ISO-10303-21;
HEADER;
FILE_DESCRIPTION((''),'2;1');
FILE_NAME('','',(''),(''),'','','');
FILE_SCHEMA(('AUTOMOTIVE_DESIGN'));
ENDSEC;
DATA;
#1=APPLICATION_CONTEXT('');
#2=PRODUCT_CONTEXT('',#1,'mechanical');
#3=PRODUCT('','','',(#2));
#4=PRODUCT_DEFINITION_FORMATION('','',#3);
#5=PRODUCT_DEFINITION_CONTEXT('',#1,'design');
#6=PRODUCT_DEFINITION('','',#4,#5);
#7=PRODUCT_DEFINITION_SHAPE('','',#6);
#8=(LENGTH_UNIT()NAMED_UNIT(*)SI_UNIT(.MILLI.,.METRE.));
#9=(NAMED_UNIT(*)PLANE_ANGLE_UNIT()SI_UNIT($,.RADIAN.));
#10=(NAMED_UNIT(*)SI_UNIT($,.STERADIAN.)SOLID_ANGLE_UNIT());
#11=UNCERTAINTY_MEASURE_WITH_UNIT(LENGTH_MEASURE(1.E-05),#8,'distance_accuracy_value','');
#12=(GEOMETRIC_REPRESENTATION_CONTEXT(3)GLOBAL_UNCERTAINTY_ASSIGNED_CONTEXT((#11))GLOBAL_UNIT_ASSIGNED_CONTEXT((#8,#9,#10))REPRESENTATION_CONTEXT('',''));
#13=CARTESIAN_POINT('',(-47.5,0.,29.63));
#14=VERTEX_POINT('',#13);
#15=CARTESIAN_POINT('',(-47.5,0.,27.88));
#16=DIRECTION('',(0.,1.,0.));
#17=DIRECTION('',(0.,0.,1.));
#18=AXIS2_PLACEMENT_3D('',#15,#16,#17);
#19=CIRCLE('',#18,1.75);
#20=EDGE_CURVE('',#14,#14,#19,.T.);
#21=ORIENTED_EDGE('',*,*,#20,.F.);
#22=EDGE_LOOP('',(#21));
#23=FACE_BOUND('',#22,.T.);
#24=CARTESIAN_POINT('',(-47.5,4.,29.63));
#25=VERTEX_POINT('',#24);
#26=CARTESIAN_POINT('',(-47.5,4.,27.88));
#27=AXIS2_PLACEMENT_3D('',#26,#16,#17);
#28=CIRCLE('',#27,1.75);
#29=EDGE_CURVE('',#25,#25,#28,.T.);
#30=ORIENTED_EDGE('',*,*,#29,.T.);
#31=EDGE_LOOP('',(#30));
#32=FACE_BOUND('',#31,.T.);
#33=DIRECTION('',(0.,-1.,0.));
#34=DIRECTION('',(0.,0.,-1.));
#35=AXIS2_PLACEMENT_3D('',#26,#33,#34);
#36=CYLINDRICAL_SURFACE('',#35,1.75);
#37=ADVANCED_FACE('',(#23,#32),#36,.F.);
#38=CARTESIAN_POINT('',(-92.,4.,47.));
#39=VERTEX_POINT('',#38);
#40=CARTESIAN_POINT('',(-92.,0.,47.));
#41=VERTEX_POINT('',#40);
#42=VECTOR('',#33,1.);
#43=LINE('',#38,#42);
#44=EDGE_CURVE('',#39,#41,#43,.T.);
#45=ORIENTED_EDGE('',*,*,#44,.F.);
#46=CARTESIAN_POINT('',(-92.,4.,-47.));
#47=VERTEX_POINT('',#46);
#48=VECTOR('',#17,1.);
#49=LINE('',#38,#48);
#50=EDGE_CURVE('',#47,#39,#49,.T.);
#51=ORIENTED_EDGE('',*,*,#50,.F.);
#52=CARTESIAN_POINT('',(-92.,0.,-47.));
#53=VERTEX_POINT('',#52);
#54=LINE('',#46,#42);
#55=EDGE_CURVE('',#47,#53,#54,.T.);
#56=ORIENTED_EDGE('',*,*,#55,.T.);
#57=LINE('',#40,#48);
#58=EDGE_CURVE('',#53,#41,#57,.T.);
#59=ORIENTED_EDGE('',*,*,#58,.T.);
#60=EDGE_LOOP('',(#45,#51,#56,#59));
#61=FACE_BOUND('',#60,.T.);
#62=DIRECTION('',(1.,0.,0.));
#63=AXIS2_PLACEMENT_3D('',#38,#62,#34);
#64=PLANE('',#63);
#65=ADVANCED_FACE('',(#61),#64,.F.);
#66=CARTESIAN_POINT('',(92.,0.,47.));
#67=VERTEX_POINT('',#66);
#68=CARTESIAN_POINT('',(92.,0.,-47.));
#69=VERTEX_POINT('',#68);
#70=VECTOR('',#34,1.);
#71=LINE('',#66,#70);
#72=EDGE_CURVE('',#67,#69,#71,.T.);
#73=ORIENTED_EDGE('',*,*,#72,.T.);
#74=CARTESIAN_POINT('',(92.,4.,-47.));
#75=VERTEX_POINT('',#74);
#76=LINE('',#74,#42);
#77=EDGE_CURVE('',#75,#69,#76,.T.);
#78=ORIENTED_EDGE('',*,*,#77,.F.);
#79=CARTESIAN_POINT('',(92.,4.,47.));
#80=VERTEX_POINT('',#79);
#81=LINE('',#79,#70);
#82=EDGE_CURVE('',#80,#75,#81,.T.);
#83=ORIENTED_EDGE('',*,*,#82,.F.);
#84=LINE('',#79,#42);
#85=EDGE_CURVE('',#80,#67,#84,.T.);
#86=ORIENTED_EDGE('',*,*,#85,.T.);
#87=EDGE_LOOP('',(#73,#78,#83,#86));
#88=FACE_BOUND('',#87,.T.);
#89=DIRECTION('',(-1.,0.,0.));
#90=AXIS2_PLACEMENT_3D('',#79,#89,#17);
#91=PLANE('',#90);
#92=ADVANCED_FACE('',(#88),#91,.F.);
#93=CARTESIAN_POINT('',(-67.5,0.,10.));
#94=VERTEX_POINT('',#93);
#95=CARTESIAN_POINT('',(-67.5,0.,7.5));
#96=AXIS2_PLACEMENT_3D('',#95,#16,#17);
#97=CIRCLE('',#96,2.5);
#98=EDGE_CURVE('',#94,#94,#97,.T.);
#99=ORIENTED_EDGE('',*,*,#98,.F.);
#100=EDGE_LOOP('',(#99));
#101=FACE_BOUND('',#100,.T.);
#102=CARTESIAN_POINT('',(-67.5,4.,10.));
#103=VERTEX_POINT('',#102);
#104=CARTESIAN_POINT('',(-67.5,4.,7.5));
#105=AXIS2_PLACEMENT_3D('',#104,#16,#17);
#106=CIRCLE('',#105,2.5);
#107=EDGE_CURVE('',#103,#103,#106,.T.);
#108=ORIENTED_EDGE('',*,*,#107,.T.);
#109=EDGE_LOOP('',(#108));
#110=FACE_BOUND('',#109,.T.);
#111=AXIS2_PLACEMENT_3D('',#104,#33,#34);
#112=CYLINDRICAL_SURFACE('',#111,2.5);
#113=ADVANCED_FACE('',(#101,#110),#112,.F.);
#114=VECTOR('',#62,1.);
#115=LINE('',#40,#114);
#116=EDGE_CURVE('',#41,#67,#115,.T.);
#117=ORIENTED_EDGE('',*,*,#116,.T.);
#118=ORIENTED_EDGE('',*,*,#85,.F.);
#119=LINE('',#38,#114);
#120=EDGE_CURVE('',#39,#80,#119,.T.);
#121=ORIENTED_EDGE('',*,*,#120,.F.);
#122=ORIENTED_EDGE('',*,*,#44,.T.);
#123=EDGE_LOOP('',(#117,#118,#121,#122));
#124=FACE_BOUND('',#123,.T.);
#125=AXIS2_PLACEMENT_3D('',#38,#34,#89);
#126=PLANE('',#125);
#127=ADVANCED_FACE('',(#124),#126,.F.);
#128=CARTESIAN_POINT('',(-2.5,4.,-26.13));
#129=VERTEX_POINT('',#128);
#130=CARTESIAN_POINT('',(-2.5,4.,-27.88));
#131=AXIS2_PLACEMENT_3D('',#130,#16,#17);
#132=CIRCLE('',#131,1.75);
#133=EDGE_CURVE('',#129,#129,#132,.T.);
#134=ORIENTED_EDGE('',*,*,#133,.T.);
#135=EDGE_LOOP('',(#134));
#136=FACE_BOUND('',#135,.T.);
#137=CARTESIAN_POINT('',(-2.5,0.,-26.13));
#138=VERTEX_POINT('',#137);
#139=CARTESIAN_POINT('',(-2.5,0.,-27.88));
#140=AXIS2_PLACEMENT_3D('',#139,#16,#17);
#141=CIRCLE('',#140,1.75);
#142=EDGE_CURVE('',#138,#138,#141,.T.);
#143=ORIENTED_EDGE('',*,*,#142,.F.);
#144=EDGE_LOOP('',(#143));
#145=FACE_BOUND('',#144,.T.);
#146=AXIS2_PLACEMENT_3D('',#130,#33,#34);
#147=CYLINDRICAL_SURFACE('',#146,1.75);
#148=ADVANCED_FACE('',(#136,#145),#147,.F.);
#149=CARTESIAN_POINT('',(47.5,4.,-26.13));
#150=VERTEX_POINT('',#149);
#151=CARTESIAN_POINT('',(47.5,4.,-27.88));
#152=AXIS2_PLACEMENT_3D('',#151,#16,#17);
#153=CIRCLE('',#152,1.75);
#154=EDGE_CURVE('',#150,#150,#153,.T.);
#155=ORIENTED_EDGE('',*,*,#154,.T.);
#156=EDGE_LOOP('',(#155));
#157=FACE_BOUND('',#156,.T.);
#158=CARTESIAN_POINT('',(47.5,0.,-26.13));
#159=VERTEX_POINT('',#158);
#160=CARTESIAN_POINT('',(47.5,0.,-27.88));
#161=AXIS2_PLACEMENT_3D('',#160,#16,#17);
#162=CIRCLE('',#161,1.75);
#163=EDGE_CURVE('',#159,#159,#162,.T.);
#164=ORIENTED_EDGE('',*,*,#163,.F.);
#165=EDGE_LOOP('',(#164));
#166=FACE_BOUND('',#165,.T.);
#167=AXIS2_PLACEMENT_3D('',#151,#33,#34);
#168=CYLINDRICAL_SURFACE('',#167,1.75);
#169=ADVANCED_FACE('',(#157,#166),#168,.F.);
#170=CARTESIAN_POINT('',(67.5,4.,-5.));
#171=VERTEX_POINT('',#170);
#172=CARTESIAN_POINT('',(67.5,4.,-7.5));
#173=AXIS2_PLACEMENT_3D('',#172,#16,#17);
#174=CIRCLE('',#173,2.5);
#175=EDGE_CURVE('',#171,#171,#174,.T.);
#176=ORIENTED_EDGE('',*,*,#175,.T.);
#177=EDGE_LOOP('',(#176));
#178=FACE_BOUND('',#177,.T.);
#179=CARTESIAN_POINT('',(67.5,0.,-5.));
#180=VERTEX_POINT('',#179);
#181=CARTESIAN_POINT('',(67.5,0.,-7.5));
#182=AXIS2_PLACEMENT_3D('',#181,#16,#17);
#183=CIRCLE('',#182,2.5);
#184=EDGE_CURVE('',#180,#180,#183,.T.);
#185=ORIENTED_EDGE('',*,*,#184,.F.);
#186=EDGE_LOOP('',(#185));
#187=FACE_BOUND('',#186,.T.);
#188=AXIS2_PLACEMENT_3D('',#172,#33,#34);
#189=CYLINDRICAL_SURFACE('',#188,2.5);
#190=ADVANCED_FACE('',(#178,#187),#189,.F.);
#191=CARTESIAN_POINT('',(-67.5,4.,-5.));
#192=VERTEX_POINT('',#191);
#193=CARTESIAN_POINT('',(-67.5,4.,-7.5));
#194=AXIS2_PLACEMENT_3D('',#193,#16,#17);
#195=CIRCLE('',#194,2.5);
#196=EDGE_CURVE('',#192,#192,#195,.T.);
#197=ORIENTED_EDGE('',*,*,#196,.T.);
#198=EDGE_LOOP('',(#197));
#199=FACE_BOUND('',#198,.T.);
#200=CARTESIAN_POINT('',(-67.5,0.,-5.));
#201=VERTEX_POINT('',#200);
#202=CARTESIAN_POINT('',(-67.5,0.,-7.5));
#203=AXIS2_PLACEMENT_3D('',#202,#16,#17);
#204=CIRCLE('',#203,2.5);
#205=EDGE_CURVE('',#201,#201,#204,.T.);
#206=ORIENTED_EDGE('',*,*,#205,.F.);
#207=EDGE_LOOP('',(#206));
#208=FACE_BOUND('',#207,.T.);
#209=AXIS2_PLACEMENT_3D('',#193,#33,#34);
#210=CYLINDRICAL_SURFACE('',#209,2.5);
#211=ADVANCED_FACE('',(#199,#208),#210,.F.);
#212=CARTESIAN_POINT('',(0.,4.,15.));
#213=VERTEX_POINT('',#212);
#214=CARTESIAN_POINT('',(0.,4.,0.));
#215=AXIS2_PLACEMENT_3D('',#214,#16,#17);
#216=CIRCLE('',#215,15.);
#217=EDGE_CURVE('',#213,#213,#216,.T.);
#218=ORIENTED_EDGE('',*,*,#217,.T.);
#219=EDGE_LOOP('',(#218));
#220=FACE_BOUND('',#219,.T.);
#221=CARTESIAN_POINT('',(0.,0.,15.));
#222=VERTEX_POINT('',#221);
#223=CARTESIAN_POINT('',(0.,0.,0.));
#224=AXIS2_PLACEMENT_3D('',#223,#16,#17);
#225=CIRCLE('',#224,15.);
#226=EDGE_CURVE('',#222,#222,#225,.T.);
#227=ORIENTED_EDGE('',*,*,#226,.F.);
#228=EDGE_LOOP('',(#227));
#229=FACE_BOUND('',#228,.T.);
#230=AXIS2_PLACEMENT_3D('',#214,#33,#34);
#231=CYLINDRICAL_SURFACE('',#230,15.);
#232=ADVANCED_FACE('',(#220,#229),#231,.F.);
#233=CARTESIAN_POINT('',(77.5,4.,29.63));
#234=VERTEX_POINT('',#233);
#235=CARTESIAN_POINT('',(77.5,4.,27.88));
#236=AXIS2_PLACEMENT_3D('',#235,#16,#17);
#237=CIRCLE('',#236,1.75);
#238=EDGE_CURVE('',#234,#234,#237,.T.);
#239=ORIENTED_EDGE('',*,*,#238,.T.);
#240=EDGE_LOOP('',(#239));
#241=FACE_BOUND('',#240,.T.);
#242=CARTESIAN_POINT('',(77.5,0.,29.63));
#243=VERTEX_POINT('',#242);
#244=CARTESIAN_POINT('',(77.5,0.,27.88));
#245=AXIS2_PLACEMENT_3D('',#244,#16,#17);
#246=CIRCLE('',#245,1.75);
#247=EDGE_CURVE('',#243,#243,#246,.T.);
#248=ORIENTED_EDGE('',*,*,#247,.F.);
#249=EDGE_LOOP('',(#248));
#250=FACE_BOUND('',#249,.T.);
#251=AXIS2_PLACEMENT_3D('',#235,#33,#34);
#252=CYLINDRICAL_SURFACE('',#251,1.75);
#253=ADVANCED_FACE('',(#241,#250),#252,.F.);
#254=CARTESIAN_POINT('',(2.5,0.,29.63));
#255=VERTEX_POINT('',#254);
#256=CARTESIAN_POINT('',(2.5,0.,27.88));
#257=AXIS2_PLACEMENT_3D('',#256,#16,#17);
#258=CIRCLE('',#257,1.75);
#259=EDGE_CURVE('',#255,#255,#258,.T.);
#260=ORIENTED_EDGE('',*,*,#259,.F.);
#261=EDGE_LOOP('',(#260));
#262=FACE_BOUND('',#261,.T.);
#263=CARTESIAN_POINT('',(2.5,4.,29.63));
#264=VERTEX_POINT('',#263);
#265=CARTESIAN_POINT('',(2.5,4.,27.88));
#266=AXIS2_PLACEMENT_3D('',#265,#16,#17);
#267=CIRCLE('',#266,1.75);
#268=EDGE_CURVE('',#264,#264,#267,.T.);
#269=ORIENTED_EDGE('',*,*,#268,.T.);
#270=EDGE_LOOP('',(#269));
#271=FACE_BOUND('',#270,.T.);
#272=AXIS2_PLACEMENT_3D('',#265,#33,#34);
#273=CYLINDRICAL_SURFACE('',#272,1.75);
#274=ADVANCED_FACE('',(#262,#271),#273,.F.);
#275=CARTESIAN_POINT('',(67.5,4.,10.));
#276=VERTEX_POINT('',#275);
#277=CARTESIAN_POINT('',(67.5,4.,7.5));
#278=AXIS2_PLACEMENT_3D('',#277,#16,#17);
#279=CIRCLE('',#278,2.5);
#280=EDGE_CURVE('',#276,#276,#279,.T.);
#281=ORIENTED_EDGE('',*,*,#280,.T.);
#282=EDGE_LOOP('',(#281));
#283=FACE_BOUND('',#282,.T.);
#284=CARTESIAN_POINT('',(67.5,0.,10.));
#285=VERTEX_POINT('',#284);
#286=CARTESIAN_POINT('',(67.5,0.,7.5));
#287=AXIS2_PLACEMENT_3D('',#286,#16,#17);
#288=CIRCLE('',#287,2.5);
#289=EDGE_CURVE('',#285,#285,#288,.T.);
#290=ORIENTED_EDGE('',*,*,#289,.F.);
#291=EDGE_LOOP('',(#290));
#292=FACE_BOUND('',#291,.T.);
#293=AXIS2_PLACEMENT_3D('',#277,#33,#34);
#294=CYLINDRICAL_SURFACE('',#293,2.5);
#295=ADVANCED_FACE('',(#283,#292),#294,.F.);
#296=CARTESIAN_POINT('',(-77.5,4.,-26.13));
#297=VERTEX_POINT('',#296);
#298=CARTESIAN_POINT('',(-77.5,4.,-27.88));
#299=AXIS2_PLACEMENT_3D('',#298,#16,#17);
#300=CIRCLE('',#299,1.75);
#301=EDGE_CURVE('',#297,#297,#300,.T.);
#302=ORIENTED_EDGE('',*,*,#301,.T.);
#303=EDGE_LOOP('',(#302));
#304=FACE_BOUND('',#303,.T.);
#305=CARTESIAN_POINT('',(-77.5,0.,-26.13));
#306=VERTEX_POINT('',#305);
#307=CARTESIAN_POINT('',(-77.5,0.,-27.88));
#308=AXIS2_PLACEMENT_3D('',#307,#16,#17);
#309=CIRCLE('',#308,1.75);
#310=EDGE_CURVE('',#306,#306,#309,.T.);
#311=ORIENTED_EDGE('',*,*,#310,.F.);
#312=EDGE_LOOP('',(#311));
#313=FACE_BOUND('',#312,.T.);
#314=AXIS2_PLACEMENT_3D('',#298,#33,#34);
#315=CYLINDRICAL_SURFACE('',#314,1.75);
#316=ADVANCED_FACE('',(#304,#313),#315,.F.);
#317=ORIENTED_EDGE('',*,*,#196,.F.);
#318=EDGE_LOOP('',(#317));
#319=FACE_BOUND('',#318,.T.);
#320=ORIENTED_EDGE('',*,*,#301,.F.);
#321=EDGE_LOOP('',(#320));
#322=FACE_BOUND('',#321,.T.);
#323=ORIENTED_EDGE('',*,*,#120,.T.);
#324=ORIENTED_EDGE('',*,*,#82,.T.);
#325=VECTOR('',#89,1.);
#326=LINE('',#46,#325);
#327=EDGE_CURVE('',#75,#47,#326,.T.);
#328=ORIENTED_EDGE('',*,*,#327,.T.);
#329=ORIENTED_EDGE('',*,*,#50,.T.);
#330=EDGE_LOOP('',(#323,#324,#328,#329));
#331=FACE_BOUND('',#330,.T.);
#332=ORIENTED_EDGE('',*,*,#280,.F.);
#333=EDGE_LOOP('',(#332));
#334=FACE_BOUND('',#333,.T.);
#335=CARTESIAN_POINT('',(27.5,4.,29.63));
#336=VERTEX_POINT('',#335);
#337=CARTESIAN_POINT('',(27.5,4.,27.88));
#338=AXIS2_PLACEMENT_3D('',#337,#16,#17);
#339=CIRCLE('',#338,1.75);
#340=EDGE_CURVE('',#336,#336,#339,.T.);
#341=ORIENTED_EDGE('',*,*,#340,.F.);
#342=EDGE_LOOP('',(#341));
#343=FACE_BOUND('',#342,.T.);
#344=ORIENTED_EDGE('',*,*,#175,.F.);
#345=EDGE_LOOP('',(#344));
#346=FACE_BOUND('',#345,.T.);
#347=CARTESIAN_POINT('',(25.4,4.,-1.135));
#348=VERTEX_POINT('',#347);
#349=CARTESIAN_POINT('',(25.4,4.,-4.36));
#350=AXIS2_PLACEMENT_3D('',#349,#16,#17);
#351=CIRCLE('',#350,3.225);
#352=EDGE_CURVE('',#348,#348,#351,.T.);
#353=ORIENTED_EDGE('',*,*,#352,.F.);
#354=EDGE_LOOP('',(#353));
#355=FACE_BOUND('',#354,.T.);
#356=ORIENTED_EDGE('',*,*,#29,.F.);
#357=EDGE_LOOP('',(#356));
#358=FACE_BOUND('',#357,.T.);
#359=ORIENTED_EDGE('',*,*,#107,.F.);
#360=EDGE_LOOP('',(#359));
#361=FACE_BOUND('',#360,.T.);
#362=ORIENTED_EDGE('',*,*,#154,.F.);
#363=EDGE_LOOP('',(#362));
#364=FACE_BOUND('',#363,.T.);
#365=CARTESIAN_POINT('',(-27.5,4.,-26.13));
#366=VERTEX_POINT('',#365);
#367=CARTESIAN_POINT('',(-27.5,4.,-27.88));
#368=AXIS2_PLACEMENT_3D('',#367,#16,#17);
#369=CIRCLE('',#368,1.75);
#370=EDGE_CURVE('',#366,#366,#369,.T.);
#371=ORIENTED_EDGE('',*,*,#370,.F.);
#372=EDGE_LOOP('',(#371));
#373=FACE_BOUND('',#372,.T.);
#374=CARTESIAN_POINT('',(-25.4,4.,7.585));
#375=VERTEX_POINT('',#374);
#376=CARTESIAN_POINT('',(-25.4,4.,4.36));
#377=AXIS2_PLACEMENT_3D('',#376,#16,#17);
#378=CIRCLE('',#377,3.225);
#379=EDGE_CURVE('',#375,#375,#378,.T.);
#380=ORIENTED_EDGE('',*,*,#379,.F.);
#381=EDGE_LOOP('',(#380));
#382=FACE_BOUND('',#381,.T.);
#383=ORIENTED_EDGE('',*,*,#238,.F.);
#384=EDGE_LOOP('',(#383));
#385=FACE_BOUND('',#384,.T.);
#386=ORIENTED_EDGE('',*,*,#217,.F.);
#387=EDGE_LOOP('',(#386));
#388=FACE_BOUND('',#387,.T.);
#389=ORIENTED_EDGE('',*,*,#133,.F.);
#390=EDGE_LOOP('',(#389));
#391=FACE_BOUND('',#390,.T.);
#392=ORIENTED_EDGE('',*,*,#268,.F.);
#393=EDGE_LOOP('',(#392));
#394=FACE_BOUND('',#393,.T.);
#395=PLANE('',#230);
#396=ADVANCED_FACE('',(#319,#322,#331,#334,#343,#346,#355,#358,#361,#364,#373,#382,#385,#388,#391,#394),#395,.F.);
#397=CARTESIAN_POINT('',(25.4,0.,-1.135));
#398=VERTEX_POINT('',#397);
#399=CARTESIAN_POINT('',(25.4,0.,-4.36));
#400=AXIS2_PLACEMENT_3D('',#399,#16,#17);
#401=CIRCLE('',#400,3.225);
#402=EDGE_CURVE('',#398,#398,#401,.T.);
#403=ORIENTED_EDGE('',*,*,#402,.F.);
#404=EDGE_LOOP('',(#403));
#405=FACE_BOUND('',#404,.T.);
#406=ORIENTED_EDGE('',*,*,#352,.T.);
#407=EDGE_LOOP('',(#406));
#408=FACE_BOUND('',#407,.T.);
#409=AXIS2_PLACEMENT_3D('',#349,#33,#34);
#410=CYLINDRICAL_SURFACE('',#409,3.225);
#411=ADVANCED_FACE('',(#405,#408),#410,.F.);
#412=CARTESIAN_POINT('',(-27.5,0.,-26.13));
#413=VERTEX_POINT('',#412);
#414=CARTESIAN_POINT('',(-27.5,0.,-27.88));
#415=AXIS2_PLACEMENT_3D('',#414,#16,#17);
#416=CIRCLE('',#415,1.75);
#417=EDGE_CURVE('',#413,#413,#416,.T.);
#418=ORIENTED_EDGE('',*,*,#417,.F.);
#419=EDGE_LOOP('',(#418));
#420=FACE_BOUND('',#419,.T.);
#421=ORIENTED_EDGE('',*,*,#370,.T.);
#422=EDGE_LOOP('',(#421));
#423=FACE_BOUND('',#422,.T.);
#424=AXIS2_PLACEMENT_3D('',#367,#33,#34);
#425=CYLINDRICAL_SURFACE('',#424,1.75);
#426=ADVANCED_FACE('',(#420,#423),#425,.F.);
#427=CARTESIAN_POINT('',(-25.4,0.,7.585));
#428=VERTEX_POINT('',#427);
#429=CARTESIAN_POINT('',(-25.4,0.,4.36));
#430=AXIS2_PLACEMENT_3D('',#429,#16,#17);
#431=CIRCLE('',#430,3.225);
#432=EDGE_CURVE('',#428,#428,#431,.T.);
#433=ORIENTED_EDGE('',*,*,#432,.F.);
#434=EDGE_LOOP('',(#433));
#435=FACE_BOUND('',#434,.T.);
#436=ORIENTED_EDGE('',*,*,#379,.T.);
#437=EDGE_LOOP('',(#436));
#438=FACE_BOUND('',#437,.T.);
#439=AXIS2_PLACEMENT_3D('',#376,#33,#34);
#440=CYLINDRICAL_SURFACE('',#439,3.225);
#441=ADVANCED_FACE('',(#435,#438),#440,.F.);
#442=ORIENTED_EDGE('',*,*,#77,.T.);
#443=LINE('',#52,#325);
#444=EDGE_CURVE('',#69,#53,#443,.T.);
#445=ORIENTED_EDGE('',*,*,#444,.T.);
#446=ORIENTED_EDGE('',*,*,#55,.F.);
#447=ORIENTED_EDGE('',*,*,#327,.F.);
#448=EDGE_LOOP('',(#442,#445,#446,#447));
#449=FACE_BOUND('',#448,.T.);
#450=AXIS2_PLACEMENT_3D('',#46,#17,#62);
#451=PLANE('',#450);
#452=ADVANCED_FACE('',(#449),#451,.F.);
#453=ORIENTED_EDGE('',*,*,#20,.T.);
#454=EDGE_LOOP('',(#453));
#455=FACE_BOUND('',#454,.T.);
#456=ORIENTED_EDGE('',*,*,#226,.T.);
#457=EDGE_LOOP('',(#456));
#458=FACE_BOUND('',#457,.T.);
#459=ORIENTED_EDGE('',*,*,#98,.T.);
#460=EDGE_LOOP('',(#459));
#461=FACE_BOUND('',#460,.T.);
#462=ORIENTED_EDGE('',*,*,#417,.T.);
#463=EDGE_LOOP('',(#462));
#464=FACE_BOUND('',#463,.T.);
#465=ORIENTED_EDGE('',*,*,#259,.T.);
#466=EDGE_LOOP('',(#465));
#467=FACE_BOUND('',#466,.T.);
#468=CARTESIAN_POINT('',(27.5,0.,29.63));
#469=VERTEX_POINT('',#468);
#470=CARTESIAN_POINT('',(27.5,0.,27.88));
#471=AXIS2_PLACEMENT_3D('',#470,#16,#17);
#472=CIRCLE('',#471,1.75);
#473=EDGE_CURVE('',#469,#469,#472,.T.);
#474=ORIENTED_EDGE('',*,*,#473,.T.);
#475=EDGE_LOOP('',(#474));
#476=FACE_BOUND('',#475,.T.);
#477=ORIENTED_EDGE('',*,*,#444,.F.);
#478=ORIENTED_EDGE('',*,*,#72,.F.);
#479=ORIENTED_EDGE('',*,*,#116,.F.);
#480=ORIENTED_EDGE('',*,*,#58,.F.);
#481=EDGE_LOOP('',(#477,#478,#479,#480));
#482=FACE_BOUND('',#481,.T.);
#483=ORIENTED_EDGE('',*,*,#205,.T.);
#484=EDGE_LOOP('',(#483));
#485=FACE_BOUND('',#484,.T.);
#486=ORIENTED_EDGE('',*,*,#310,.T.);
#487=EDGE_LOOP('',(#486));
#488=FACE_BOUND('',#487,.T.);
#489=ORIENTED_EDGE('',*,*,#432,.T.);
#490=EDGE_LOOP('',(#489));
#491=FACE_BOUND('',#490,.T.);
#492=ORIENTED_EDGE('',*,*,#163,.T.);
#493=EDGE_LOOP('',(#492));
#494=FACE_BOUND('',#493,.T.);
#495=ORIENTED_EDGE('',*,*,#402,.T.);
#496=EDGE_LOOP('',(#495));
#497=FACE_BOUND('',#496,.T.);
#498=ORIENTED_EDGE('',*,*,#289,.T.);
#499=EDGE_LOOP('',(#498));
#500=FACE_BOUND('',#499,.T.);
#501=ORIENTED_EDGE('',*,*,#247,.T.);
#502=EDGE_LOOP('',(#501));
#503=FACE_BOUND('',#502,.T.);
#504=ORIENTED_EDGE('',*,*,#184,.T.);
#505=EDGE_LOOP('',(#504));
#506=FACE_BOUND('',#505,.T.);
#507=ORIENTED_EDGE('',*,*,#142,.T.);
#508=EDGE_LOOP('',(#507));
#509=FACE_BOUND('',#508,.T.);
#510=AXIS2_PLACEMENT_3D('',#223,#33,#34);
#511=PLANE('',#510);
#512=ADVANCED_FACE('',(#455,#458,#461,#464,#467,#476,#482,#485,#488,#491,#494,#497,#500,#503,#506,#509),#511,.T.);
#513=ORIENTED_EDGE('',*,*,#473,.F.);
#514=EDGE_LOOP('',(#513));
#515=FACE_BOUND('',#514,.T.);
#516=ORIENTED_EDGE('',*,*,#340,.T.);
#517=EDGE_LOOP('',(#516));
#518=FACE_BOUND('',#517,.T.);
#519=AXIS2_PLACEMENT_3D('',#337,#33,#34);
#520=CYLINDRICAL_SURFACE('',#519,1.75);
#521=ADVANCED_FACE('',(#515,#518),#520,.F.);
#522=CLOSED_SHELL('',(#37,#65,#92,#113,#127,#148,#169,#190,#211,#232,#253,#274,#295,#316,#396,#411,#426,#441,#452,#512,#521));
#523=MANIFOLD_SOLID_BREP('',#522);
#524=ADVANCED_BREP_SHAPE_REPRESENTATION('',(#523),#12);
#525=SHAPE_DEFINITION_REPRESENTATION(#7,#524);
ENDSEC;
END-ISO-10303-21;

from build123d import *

# Parameters (mm, degrees)
SKETCH1_W           = 184
SKETCH1_H           = 94
SKETCH1_R           = 15
SKETCH1_R_2         = 1.75
SKETCH1_R_3         = 3.225
SKETCH1_R_4         = 2.5
BOSS_EXTRUDE1_DEPTH = 4


with BuildPart() as part:
    # Sketch1 → Boss-Extrude1 (new body)
    with BuildSketch(Plane(origin=(0, 0, 0), x_dir=(1, 0, 0), z_dir=(0, 1, 0))):
        Rectangle(SKETCH1_W, SKETCH1_H)
        with Locations(Location((0, 0, 0), (0, 0, 270))):
            Circle(SKETCH1_R, mode=Mode.SUBTRACT)
        with Locations(Location((-2.5, 27.88, 0), (0, 0, 270))):
            Circle(SKETCH1_R_2, mode=Mode.SUBTRACT)
        with Locations(Location((-27.5, 27.88, 0), (0, 0, 270))):
            Circle(SKETCH1_R_2, mode=Mode.SUBTRACT)
        with Locations(Location((47.5, 27.88, 0), (0, 0, 270))):
            Circle(SKETCH1_R_2, mode=Mode.SUBTRACT)
        with Locations(Location((-77.5, 27.88, 0), (0, 0, 270))):
            Circle(SKETCH1_R_2, mode=Mode.SUBTRACT)
        with Locations(Location((25.4, 4.36, 0), (0, 0, 270))):
            Circle(SKETCH1_R_3, mode=Mode.SUBTRACT)
        with Locations(Location((-67.5, 7.5, 0), (0, 0, 270))):
            Circle(SKETCH1_R_4, mode=Mode.SUBTRACT)
        with Locations(Location((67.5, 7.5, 0), (0, 0, 270))):
            Circle(SKETCH1_R_4, mode=Mode.SUBTRACT)
        with Locations(Location((77.5, -27.88, 0), (0, 0, 270))):
            Circle(SKETCH1_R_2, mode=Mode.SUBTRACT)
        with Locations(Location((27.5, -27.88, 0), (0, 0, 270))):
            Circle(SKETCH1_R_2, mode=Mode.SUBTRACT)
        with Locations(Location((2.5, -27.88, 0), (0, 0, 270))):
            Circle(SKETCH1_R_2, mode=Mode.SUBTRACT)
        with Locations(Location((-47.5, -27.88, 0), (0, 0, 270))):
            Circle(SKETCH1_R_2, mode=Mode.SUBTRACT)
        with Locations(Location((-25.4, -4.36, 0), (0, 0, 270))):
            Circle(SKETCH1_R_3, mode=Mode.SUBTRACT)
        with Locations(Location((-67.5, -7.5, 0), (0, 0, 270))):
            Circle(SKETCH1_R_4, mode=Mode.SUBTRACT)
        with Locations(Location((67.5, -7.5, 0), (0, 0, 270))):
            Circle(SKETCH1_R_4, mode=Mode.SUBTRACT)
    extrude(amount=BOSS_EXTRUDE1_DEPTH)


solid = part.part
